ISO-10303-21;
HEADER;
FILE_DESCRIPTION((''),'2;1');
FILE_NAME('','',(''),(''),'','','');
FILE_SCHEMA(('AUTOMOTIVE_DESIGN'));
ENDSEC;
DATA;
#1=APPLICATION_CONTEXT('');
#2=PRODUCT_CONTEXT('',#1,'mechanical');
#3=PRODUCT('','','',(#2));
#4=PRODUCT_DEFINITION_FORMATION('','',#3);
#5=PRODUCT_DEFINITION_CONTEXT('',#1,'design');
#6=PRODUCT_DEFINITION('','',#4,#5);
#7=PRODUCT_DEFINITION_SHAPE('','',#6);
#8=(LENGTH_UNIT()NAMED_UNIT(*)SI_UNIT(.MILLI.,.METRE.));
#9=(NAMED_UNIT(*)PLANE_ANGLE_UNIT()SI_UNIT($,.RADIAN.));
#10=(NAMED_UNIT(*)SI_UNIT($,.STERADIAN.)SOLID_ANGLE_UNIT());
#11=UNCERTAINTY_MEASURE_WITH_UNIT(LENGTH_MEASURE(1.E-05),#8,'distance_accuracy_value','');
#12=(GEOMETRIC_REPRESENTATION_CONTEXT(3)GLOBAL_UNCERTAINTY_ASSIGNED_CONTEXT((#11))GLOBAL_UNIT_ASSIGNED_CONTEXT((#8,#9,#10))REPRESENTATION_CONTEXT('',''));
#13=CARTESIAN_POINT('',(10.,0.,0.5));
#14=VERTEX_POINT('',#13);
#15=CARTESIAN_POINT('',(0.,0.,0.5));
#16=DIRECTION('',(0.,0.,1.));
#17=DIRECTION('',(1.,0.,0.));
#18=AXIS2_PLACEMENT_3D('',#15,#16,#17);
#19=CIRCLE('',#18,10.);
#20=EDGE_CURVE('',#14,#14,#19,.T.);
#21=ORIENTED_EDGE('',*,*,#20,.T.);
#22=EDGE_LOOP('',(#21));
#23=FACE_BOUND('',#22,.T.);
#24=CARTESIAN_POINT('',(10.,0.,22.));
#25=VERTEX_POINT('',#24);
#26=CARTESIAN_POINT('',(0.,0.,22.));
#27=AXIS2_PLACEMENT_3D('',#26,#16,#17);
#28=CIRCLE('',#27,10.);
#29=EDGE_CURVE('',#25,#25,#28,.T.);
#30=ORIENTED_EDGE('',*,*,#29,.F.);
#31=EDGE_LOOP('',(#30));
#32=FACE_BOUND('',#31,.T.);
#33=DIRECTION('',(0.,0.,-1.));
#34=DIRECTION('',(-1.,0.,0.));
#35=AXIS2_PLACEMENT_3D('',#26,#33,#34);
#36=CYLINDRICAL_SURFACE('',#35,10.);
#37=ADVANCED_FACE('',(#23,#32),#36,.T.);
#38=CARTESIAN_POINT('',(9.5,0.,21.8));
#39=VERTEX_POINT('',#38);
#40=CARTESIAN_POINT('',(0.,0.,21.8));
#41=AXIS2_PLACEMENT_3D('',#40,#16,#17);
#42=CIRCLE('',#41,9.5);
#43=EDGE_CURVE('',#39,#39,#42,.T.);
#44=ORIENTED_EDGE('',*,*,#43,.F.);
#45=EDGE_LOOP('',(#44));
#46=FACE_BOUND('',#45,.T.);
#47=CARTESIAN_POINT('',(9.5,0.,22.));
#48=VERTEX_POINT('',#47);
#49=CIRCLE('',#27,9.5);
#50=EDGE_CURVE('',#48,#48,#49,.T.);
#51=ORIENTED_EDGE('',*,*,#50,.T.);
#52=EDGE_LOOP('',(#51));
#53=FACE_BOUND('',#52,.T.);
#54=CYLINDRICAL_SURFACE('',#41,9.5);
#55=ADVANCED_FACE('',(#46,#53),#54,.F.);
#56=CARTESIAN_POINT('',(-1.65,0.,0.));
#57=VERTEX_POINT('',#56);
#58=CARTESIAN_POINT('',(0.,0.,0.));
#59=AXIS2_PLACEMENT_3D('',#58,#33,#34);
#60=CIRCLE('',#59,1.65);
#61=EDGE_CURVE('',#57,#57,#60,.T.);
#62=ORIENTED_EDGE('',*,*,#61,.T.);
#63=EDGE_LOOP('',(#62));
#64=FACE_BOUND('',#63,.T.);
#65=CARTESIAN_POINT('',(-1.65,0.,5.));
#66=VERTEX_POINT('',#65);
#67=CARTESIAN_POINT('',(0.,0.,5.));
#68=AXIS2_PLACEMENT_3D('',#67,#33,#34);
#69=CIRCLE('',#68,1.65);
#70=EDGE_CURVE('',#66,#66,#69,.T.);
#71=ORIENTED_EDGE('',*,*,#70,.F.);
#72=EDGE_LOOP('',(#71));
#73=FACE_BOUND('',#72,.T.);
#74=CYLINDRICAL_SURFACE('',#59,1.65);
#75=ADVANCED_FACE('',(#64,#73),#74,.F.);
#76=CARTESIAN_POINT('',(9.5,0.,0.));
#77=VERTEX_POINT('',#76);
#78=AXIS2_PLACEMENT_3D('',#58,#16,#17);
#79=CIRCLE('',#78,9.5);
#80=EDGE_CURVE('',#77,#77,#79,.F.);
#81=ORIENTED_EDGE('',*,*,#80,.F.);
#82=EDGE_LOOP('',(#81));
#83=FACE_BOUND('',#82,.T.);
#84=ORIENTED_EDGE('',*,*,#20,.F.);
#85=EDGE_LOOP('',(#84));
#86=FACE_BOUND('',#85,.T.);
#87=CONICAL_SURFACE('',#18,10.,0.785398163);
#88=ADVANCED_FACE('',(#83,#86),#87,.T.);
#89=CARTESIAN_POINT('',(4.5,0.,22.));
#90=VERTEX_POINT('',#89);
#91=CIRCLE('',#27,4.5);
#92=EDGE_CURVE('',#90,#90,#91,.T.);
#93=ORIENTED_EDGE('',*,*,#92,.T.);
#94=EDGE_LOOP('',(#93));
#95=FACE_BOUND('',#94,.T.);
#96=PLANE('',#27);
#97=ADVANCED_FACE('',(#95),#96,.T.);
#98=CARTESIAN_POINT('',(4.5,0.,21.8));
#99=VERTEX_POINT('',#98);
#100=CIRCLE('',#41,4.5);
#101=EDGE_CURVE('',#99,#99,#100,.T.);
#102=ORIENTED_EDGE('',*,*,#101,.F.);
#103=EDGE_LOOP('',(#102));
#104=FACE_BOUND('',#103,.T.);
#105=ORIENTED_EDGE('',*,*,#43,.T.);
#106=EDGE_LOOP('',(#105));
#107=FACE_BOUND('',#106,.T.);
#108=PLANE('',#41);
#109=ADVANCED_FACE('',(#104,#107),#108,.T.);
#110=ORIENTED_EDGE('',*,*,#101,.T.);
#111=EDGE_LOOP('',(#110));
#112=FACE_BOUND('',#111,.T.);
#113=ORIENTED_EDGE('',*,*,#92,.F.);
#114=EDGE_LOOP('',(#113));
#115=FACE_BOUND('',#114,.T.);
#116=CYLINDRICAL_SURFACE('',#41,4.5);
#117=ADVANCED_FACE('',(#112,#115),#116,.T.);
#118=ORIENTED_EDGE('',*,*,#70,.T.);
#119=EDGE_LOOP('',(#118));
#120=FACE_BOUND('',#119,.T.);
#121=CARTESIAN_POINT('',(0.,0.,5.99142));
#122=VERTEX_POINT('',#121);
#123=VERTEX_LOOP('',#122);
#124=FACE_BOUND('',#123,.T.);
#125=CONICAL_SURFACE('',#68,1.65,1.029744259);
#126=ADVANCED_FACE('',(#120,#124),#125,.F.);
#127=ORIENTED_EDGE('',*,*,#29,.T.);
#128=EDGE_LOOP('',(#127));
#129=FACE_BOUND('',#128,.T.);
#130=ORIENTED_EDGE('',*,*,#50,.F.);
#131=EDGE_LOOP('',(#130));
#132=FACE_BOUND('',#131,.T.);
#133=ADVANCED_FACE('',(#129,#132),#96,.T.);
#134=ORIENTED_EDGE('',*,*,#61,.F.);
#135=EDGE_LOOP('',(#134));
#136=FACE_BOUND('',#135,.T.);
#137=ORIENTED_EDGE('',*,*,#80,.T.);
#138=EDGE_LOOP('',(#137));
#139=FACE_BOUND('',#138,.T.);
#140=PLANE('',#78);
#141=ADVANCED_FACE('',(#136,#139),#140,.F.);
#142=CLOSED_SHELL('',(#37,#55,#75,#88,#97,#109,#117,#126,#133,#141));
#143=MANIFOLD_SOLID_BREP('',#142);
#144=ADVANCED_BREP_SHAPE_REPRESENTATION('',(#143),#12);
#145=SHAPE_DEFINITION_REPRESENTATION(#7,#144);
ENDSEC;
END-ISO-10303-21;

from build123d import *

# Parameters (mm, degrees)
SKETCH1_R             = 10
BOSS_EXTRUDE1_DEPTH   = 22
SKETCH2_R             = 9.5
SKETCH2_R_2           = 4.5
CUT_EXTRUDE1_DEPTH    = 0.2
M4_TAPPED_HOLE1_D     = 3.3
M4_TAPPED_HOLE1_DEPTH = 5
M4_TAPPED_HOLE1_TIP   = 0.991420021
CHAMFER2_SIZE         = 0.5


with BuildPart() as part:
    # Sketch1 → Boss-Extrude1 (new body)
    with BuildSketch(Plane.XY):
        Circle(SKETCH1_R)
    extrude(amount=BOSS_EXTRUDE1_DEPTH)

    # Sketch2 → Cut-Extrude1 (cut)
    with BuildSketch(Plane.XY.offset(22)):
        Circle(SKETCH2_R)
        Circle(SKETCH2_R_2, mode=Mode.SUBTRACT)
    extrude(amount=-CUT_EXTRUDE1_DEPTH, mode=Mode.SUBTRACT)

    # M4 Tapped Hole1
    with Locations(Plane(origin=(0, 0, 0), x_dir=(-1, 0, 0), z_dir=(0, 0, -1))):
        with Locations((0, 0)):
            Hole(M4_TAPPED_HOLE1_D / 2, depth=M4_TAPPED_HOLE1_DEPTH)
            with Locations((0, 0, -(M4_TAPPED_HOLE1_DEPTH + M4_TAPPED_HOLE1_TIP / 2))):  # 118° drill point
                Cone(0, M4_TAPPED_HOLE1_D / 2, M4_TAPPED_HOLE1_TIP, mode=Mode.SUBTRACT)

    # Chamfer2
    chamfer2_edges = [part.edges().sort_by_distance(p)[0] for p in [
        (-10, 0, 0),
    ]]
    chamfer(chamfer2_edges, length=CHAMFER2_SIZE)


solid = part.part
